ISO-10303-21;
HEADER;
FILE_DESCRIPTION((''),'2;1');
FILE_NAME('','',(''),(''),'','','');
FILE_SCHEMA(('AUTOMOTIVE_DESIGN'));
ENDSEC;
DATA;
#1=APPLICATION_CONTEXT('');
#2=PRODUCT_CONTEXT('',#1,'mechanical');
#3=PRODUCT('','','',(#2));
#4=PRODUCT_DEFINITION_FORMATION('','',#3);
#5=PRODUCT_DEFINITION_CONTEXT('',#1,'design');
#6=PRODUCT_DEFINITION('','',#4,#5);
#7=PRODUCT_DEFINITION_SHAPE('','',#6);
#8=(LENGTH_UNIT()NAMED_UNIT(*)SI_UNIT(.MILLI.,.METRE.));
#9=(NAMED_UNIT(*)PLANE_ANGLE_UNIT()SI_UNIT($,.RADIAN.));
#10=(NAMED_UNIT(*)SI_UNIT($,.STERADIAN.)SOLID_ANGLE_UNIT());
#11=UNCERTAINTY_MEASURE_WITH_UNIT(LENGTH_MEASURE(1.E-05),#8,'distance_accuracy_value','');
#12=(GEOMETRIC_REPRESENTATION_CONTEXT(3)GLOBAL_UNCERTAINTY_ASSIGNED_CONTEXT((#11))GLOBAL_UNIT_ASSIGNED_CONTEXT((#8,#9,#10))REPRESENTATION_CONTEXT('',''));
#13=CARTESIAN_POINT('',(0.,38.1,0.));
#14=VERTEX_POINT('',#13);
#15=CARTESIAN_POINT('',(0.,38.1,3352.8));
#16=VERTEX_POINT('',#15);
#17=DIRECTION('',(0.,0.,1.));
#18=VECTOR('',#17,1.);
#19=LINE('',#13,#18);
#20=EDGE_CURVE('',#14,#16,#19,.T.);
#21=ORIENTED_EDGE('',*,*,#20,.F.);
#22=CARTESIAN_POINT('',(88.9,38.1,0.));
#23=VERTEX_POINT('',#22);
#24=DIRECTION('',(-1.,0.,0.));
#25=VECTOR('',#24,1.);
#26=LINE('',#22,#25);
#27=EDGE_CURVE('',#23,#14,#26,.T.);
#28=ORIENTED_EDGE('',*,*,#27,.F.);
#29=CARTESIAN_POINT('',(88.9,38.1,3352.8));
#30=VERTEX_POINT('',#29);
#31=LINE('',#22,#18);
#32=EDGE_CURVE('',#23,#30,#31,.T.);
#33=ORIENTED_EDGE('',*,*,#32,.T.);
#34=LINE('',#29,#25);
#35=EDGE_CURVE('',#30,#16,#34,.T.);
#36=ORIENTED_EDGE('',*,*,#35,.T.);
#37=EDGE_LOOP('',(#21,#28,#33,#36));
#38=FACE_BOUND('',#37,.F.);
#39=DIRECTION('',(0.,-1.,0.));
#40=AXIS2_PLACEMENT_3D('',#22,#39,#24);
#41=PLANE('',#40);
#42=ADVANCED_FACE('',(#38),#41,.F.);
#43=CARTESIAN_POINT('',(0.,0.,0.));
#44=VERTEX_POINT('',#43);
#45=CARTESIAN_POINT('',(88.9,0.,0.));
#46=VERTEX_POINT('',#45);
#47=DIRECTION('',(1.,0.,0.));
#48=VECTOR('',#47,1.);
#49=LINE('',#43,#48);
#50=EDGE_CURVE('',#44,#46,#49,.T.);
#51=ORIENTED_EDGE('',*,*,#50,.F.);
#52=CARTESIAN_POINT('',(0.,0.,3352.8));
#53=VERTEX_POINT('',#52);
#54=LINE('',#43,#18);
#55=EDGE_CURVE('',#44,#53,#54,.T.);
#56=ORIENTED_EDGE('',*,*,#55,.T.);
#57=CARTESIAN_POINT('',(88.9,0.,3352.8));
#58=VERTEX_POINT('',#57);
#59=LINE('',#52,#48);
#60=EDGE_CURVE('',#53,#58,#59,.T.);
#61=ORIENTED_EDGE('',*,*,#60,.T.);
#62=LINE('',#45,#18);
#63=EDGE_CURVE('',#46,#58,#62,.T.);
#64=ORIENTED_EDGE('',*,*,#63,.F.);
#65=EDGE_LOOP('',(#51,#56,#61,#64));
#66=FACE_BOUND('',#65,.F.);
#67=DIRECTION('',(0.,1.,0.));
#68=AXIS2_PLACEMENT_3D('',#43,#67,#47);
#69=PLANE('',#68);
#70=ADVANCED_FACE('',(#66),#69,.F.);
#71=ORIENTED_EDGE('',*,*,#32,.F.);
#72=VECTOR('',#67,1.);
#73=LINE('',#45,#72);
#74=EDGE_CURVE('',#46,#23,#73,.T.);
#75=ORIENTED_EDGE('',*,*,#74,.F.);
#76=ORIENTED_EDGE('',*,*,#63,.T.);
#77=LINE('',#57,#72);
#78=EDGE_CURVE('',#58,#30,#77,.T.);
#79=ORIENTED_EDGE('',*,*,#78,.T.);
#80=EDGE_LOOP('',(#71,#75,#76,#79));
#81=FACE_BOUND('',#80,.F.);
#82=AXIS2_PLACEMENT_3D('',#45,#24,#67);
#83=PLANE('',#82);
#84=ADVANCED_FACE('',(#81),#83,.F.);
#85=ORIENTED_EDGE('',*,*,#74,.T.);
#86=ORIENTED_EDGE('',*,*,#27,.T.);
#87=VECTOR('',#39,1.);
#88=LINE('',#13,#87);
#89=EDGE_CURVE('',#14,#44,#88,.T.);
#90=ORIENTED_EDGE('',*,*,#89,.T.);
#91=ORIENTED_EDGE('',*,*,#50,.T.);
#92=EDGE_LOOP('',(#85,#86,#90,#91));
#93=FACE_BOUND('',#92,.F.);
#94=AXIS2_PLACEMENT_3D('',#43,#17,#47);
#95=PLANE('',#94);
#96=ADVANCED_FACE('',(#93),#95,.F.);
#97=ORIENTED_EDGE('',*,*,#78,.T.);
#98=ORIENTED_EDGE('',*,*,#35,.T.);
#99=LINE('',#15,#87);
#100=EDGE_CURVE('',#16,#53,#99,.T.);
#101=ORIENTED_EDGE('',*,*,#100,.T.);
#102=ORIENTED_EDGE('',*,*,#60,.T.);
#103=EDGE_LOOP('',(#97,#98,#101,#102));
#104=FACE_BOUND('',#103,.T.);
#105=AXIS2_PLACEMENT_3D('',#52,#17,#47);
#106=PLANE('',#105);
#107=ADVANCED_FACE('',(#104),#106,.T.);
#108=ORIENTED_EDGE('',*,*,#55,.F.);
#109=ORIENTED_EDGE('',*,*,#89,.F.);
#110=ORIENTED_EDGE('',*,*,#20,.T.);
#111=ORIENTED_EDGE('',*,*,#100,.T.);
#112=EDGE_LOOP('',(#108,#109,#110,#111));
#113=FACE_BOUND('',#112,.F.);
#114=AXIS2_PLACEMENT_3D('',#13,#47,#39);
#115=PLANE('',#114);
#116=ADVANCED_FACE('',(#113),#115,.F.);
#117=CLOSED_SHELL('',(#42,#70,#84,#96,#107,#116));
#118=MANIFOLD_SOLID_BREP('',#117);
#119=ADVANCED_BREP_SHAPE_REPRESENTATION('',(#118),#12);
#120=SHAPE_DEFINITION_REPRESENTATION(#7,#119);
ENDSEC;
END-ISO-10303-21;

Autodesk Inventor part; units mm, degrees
ref_plane "YZ Plane" through (0, 0, 0) normal (1, 0, 0) x (0, 1, 0)
ref_plane "XZ Plane" through (0, 0, 0) normal (0, 1, 0) x (-1, 0, 0)
ref_plane "XY Plane" through (0, 0, 0) normal (0, 0, 1) x (1, 0, 0)
sketch "Sketch1" plane through (0, 0, 0) normal (0, 0, 1) x (1, 0, 0)
  line L0 (0, 0) -> (88.9, 0)
  line L1 (88.9, 0) -> (88.9, 38.1)
  line L2 (88.9, 38.1) -> (0, 38.1)
  line L3 (0, 38.1) -> (0, 0)
  dimension "d0" = 88.9
  dimension "d1" = 38.1
extrude "Extrusion1" add sketch "Sketch1" along normal blind 3352.8
properties part number "Plate_With_Length_132_Inches" material "Wood (Birch)"
